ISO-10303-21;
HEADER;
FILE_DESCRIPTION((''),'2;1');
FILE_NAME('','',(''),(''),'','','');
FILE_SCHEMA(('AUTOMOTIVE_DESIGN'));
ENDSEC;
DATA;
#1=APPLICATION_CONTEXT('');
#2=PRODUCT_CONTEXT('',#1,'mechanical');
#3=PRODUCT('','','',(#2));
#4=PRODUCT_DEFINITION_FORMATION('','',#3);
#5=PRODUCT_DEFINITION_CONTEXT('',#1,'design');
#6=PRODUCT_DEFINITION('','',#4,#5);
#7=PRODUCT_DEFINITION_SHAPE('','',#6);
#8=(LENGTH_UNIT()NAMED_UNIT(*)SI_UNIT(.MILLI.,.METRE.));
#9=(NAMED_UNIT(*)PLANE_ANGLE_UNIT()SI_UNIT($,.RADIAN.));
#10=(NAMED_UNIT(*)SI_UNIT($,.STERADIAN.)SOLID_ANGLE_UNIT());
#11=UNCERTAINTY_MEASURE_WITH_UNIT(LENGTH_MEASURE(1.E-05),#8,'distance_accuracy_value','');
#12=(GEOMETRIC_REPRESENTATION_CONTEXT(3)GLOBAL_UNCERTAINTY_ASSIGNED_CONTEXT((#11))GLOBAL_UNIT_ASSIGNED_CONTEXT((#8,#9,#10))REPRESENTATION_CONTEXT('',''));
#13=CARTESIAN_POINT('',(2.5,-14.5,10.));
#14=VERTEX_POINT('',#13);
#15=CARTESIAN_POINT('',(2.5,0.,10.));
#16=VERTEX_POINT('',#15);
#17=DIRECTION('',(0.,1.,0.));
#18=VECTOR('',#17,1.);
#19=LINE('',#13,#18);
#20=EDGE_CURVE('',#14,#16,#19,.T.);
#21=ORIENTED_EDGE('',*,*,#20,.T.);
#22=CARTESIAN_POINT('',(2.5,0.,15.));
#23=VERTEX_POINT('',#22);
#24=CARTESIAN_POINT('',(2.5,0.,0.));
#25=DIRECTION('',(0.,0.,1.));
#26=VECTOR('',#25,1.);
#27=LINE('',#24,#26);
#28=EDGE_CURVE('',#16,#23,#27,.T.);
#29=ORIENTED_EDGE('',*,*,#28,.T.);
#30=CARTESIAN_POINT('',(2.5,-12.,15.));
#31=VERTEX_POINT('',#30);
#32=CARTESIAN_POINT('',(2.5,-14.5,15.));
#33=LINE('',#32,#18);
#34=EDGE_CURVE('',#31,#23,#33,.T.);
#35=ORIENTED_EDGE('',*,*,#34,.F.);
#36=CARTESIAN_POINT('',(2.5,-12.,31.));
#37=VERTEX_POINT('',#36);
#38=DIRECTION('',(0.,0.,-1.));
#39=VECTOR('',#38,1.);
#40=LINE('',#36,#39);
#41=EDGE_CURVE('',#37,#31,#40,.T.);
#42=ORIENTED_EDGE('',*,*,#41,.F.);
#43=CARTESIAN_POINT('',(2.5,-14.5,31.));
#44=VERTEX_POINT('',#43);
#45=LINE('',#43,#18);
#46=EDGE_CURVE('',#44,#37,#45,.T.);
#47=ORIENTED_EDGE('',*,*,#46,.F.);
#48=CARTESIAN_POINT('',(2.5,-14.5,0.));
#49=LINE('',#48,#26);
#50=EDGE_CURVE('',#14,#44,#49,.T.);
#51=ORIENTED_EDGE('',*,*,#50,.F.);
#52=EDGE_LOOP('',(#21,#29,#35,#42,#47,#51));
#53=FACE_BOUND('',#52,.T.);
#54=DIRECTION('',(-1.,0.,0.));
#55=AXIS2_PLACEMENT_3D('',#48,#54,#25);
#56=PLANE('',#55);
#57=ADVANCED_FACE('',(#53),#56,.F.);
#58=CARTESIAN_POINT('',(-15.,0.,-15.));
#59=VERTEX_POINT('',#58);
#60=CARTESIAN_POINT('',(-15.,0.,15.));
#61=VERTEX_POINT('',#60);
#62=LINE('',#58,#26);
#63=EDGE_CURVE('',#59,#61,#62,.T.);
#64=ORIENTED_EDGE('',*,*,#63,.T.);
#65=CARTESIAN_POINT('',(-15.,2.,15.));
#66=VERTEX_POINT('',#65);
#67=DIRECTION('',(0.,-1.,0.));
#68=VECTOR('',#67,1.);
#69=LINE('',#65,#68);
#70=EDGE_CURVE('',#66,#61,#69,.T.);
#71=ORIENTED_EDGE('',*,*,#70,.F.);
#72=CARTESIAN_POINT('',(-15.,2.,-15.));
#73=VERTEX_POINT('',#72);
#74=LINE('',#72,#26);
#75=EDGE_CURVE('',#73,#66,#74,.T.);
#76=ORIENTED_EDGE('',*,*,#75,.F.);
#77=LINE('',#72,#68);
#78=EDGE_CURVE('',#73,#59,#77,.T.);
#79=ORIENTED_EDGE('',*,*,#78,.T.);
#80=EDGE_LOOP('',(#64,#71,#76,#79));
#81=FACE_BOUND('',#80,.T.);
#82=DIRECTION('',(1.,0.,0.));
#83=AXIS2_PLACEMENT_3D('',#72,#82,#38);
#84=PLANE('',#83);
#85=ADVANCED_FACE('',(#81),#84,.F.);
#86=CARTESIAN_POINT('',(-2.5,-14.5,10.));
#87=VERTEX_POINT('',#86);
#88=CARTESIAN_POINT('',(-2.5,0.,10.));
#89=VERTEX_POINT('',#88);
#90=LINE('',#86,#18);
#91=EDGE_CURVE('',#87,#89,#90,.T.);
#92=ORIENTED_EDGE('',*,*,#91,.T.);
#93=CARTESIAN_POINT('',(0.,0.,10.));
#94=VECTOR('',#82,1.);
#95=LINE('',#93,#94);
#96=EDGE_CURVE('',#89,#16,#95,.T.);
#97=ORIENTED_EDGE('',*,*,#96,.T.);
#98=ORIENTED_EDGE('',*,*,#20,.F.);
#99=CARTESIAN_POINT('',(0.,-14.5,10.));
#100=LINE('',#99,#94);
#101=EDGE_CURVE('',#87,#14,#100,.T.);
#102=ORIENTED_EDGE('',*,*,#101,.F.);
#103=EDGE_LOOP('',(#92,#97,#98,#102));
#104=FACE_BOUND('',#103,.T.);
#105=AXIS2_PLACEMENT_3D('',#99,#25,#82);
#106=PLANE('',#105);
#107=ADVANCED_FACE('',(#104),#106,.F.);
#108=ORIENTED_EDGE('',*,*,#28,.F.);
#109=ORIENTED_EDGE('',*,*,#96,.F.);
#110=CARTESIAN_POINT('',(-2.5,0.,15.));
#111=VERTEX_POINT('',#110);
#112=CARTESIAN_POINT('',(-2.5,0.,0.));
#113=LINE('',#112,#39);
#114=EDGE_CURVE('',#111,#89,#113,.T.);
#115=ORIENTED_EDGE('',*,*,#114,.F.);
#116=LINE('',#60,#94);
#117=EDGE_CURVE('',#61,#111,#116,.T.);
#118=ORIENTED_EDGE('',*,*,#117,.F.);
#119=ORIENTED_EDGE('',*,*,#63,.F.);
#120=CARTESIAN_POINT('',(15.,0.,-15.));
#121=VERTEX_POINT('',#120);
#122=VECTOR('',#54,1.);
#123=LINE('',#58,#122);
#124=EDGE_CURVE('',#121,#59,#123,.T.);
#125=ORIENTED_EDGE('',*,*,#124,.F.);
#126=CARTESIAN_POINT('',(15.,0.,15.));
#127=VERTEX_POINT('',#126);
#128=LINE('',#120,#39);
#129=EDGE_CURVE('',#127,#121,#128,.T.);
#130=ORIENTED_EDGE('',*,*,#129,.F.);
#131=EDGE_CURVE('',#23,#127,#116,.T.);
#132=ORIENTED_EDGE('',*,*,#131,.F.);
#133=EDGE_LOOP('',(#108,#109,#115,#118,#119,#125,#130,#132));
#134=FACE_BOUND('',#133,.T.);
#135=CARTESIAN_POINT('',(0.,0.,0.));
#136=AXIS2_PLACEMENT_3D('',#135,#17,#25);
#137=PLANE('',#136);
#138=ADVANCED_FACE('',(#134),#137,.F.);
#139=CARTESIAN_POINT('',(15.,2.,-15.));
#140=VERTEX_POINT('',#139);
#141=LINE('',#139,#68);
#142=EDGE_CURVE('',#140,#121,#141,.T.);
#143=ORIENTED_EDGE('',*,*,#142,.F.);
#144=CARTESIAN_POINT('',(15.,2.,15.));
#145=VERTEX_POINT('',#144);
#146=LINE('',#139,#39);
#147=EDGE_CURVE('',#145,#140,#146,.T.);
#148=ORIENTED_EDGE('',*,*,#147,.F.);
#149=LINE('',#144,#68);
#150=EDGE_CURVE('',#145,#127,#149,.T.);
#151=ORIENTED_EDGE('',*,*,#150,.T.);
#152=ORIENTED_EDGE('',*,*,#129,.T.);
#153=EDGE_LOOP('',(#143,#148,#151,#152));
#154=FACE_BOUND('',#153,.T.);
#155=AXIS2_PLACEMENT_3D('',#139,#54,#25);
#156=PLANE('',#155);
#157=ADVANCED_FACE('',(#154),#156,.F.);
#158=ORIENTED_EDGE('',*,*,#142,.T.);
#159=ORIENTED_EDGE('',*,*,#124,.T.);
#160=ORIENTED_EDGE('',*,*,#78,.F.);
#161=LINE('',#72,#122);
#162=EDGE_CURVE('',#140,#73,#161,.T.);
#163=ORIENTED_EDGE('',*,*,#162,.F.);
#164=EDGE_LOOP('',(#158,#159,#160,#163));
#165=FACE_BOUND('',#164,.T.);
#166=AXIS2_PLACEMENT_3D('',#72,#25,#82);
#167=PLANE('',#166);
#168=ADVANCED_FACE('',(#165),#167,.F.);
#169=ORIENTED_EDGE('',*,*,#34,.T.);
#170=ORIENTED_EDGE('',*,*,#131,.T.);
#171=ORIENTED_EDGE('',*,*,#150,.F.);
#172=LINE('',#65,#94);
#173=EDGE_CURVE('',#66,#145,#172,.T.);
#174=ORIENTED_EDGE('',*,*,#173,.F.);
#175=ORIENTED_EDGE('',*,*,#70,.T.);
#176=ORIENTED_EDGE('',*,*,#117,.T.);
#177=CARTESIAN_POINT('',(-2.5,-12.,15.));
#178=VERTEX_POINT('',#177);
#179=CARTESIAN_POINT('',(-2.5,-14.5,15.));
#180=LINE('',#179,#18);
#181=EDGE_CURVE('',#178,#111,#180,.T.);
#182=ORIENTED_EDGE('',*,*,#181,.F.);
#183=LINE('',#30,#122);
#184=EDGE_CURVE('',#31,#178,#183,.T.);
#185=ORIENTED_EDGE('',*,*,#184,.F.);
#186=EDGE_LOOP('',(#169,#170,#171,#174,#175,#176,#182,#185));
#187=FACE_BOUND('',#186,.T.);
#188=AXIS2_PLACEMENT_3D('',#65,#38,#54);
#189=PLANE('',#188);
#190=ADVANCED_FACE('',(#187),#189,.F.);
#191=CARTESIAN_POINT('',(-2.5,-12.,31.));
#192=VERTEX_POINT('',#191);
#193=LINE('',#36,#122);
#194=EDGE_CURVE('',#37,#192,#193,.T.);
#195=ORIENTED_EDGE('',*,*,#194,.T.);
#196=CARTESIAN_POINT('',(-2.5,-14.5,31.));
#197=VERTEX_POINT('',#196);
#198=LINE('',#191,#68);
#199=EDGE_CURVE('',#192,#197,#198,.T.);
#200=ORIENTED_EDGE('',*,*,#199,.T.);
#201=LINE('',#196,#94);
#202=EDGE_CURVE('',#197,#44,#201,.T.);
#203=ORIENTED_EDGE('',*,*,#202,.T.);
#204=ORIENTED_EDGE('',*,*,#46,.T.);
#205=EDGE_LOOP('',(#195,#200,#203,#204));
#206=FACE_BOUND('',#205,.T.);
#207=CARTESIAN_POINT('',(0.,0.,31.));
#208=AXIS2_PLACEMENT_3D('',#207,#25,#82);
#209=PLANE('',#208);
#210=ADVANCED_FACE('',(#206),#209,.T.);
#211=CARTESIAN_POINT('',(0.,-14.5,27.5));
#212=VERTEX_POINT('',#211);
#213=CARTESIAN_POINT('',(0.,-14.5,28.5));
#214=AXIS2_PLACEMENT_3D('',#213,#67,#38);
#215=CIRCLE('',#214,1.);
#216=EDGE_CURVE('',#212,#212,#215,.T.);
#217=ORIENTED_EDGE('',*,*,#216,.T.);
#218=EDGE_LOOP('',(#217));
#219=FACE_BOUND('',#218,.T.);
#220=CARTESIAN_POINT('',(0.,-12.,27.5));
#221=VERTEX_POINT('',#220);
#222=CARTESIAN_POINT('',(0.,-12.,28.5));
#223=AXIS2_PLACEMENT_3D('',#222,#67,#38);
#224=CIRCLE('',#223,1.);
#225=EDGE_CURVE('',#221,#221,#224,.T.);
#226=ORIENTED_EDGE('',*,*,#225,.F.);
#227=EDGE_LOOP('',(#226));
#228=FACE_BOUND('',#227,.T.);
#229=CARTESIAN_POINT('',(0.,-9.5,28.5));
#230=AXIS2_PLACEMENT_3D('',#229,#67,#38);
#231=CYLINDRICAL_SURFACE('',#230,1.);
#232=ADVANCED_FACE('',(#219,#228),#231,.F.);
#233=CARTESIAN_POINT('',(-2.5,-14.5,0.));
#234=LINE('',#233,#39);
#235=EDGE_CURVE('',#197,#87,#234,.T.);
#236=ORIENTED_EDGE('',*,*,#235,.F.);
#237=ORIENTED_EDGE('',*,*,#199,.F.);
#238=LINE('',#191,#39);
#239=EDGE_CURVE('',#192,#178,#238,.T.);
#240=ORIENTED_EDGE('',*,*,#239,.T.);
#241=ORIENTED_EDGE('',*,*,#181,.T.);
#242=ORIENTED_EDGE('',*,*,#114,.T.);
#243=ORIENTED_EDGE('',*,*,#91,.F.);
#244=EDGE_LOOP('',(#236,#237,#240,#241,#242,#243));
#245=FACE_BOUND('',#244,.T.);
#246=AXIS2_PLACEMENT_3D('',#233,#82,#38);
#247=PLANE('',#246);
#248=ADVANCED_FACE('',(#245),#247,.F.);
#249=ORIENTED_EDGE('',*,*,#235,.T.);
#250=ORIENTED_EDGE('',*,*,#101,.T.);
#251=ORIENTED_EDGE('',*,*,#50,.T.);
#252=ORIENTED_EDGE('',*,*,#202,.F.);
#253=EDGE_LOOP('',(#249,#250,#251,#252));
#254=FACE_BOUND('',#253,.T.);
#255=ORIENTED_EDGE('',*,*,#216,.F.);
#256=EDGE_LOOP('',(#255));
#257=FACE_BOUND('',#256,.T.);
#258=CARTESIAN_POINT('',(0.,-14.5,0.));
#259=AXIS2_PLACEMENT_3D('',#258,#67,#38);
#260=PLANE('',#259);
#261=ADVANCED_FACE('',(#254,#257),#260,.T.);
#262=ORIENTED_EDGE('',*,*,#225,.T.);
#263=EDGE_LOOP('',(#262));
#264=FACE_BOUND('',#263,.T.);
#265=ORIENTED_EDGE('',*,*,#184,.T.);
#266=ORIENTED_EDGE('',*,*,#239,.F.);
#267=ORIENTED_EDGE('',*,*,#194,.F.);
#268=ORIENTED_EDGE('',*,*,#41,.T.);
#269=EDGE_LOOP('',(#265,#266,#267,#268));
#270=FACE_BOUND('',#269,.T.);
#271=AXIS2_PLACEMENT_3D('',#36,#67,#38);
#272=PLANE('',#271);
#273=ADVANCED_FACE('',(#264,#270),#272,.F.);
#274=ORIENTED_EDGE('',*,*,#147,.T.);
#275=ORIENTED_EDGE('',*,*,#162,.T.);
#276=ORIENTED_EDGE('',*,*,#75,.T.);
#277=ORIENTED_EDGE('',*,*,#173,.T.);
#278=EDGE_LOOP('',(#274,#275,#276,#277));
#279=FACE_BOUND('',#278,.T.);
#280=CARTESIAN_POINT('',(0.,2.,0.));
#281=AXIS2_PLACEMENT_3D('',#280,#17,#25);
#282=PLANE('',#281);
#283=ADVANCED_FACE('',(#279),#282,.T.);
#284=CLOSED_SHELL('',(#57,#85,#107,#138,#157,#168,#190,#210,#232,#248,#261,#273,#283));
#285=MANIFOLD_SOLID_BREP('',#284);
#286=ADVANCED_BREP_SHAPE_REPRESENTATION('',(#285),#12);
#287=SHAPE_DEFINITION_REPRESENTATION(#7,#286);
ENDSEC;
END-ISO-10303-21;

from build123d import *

# Parameters (mm, degrees)
SKETCH1_W           = 30
SKETCH1_H           = 30
BOSS_EXTRUDE1_DEPTH = 2
BOSS_EXTRUDE2_DEPTH = 14.5
SKETCH3_W           = 5
SKETCH3_H           = 2.5
BOSS_EXTRUDE3_DEPTH = 16
SKETCH4_R           = 1
CUT_EXTRUDE1_DEPTH  = 5


with BuildPart() as part:
    # Sketch1 → Boss-Extrude1 (new body)
    with BuildSketch(Plane(origin=(0, 0, 0), x_dir=(1, 0, 0), z_dir=(0, 1, 0))):
        Rectangle(SKETCH1_W, SKETCH1_H)
    extrude(amount=BOSS_EXTRUDE1_DEPTH)

    # Sketch2 → Boss-Extrude2 (add)
    with BuildSketch(Plane.XZ):
        Polygon((2.5, 15), (0, 15), (-2.5, 15), (-2.5, 10), (2.5, 10), align=None)
    extrude(amount=BOSS_EXTRUDE2_DEPTH)

    # Sketch3 → Boss-Extrude3 (add)
    with BuildSketch(Plane.XY.offset(15)):
        with Locations((0, -13.25)):
            Rectangle(SKETCH3_W, SKETCH3_H)
    extrude(amount=BOSS_EXTRUDE3_DEPTH)

    # Sketch4 → Cut-Extrude1 (cut)
    with BuildSketch(Plane(origin=(0, -14.5, 0), x_dir=(-1, 0, 0), z_dir=(0, -1, 0))):
        with Locations((0, -28.5)):
            Circle(SKETCH4_R)
    extrude(amount=-CUT_EXTRUDE1_DEPTH, mode=Mode.SUBTRACT)


solid = part.part
